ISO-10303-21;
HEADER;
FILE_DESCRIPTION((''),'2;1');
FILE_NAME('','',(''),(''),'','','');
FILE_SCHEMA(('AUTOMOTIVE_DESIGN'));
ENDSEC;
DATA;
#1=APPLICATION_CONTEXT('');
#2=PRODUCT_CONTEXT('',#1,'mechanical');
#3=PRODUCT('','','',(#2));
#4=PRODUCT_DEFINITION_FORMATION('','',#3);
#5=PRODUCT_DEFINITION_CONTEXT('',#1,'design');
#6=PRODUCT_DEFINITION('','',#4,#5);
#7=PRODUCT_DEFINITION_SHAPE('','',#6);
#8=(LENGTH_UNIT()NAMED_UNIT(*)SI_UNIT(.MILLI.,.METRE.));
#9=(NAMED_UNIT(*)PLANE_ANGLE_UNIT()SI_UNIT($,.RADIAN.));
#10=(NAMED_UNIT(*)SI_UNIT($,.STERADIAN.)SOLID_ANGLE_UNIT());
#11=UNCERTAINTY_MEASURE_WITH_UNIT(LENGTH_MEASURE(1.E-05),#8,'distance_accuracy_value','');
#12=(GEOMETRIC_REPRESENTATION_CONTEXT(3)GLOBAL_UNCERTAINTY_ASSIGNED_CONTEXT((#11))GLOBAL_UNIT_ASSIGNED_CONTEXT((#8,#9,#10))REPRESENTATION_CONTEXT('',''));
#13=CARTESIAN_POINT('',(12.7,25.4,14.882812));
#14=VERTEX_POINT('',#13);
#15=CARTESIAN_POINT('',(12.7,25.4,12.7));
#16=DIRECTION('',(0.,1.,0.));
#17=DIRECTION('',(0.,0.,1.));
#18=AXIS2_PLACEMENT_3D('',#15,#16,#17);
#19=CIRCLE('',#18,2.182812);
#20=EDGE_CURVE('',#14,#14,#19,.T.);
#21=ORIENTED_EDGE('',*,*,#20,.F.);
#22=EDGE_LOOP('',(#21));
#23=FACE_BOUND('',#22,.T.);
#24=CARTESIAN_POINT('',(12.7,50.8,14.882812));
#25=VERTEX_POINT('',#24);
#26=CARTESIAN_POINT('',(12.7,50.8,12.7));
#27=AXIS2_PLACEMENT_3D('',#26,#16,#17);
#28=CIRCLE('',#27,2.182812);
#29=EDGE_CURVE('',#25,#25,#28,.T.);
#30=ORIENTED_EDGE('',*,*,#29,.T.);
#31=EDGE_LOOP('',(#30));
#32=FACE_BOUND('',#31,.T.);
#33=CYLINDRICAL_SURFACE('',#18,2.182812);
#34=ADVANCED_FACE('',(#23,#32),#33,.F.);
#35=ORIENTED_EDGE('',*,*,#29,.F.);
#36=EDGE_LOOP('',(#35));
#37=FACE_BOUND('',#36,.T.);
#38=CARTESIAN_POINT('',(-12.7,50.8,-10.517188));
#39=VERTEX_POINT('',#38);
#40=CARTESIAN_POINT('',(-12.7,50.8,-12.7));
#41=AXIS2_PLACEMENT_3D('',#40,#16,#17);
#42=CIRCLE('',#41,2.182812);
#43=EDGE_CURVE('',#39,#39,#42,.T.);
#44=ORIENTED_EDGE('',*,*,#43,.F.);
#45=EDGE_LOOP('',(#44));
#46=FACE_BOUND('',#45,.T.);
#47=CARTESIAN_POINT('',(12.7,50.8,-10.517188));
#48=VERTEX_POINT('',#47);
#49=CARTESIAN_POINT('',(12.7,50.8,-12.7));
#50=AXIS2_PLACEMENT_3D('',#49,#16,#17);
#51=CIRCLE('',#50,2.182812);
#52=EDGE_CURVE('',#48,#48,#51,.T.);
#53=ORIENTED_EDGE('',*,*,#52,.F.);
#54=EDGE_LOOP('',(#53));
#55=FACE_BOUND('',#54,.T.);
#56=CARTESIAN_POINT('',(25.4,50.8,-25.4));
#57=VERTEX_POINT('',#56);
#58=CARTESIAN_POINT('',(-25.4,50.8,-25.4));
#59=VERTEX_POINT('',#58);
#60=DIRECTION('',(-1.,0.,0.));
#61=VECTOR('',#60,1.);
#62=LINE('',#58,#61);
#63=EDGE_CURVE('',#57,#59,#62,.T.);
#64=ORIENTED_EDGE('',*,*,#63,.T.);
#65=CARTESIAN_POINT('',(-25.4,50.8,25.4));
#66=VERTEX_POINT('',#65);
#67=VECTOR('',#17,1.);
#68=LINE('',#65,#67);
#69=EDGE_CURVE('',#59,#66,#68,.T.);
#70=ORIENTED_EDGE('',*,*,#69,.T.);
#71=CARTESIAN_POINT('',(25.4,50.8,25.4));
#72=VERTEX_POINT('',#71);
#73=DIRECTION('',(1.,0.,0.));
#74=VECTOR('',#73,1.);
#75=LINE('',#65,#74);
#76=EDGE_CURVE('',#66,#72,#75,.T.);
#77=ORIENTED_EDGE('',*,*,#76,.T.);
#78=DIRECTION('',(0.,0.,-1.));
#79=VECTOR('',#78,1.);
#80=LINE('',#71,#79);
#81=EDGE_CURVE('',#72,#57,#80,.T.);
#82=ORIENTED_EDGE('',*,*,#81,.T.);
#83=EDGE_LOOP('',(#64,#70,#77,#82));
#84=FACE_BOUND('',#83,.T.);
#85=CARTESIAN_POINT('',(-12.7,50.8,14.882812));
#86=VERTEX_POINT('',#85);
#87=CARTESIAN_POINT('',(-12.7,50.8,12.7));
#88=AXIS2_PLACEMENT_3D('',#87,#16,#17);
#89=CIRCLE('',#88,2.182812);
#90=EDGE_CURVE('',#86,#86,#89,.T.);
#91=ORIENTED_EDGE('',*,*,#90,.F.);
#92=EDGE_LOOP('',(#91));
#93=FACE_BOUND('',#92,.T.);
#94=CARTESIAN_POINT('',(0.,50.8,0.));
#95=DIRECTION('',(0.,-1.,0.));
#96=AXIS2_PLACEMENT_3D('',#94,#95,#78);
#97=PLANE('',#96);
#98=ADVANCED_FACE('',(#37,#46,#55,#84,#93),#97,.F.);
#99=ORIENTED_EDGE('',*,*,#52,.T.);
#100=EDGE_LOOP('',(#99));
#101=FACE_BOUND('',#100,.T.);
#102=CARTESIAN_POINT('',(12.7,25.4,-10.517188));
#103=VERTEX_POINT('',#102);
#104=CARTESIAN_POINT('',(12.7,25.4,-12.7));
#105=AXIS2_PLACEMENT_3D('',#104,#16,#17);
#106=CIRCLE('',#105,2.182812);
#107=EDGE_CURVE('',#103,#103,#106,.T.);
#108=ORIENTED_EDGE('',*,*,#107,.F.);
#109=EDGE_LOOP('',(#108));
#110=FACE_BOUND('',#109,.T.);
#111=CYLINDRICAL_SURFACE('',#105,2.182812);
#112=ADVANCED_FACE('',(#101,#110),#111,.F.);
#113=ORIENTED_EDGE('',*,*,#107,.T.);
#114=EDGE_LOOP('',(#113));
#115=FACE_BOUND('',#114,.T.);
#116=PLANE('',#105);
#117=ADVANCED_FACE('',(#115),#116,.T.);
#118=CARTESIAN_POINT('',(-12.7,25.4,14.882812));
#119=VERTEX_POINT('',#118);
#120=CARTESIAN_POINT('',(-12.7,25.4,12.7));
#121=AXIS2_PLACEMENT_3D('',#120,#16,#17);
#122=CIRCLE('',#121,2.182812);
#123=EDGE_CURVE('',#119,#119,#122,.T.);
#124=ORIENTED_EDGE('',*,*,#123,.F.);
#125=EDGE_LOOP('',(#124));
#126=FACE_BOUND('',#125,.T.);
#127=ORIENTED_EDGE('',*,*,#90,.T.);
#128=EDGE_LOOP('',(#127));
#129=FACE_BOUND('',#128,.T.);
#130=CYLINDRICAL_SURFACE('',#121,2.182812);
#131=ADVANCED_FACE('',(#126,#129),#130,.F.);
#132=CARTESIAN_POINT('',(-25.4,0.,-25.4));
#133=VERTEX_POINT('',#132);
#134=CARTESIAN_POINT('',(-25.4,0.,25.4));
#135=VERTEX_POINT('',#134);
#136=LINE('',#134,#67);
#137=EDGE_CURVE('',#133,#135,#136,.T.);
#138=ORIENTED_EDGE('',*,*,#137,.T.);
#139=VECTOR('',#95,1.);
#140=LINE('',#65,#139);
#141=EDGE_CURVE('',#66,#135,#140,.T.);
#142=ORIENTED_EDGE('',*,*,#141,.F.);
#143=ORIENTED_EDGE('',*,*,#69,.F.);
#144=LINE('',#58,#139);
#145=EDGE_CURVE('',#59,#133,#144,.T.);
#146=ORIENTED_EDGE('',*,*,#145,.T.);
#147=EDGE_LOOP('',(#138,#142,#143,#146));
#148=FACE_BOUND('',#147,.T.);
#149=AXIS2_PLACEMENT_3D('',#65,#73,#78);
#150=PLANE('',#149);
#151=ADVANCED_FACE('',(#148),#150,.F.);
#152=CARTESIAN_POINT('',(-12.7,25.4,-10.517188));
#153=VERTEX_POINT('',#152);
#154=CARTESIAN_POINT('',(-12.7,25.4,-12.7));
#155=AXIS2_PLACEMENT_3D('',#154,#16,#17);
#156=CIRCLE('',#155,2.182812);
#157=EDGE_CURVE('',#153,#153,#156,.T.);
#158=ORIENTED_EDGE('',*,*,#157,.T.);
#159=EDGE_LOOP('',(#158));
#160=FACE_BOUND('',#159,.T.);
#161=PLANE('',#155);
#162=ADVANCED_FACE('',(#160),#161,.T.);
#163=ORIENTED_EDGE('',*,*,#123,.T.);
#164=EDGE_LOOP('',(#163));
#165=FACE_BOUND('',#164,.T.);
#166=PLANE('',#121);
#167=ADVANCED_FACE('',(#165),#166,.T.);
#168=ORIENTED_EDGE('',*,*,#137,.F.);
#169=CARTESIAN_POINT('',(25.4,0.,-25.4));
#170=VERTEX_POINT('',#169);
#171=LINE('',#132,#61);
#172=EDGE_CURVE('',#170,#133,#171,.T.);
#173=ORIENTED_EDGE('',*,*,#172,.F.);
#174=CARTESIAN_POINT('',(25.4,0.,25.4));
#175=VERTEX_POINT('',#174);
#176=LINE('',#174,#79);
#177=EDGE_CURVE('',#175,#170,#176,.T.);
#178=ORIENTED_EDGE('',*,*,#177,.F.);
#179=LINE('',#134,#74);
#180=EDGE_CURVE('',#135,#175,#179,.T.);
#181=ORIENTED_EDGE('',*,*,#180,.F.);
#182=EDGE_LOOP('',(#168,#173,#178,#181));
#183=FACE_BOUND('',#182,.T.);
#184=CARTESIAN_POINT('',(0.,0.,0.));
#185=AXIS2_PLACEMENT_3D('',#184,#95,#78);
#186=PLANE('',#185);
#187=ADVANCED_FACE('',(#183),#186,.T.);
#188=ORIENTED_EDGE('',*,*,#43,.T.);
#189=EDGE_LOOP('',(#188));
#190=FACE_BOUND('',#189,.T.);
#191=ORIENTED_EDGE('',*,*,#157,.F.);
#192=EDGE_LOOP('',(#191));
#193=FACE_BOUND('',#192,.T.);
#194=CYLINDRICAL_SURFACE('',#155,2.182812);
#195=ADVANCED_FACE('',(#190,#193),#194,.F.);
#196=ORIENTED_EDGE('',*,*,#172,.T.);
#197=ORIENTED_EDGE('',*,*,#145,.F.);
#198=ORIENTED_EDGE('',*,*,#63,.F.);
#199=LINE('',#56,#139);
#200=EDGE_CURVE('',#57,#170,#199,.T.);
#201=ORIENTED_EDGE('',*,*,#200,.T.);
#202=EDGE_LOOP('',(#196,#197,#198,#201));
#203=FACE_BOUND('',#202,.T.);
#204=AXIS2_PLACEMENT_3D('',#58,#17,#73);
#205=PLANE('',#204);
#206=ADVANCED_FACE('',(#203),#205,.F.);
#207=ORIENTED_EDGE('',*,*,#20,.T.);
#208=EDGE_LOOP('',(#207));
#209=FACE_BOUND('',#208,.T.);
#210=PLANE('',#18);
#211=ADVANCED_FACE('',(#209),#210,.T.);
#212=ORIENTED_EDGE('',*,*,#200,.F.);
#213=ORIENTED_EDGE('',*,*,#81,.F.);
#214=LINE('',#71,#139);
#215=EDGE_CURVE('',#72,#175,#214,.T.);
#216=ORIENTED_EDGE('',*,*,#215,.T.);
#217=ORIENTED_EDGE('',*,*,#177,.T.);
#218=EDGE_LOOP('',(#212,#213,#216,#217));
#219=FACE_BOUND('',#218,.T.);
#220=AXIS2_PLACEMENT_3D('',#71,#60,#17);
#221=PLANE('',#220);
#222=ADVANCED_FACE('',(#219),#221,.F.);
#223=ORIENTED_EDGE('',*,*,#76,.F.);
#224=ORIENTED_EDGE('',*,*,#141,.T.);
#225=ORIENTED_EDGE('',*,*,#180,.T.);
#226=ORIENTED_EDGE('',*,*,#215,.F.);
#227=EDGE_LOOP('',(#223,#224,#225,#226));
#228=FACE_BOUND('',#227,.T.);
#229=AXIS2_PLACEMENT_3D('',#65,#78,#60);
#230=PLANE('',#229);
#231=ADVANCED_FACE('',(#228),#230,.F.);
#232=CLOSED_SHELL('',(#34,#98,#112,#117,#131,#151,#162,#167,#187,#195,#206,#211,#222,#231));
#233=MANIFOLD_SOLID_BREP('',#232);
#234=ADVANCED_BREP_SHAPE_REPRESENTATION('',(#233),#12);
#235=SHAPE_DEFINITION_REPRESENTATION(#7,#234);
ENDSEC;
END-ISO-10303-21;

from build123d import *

# Parameters (mm, degrees)
SKETCH1_W           = 50.8
SKETCH1_H           = 50.8
BOSS_EXTRUDE1_DEPTH = 50.8
SKETCH2_R           = 2.1828125
CUT_EXTRUDE1_DEPTH  = 25.4


with BuildPart() as part:
    # Sketch1 → Boss-Extrude1 (new body)
    with BuildSketch(Plane(origin=(0, 0, 0), x_dir=(1, 0, 0), z_dir=(0, 1, 0))):
        Rectangle(SKETCH1_W, SKETCH1_H)
    extrude(amount=BOSS_EXTRUDE1_DEPTH)

    # Sketch2 → Cut-Extrude1 (cut)
    with BuildSketch(Plane(origin=(0, 50.8, 0), x_dir=(1, 0, 0), z_dir=(0, 1, 0))):
        with Locations(Location((-12.7, 12.7, 0), (0, 0, 270))):
            Circle(SKETCH2_R)
        with Locations(Location((-12.7, -12.7, 0), (0, 0, 270))):
            Circle(SKETCH2_R)
        with Locations(Location((12.7, -12.7, 0), (0, 0, 270))):
            Circle(SKETCH2_R)
        with Locations(Location((12.7, 12.7, 0), (0, 0, 270))):
            Circle(SKETCH2_R)
    extrude(amount=-CUT_EXTRUDE1_DEPTH, mode=Mode.SUBTRACT)


solid = part.part
